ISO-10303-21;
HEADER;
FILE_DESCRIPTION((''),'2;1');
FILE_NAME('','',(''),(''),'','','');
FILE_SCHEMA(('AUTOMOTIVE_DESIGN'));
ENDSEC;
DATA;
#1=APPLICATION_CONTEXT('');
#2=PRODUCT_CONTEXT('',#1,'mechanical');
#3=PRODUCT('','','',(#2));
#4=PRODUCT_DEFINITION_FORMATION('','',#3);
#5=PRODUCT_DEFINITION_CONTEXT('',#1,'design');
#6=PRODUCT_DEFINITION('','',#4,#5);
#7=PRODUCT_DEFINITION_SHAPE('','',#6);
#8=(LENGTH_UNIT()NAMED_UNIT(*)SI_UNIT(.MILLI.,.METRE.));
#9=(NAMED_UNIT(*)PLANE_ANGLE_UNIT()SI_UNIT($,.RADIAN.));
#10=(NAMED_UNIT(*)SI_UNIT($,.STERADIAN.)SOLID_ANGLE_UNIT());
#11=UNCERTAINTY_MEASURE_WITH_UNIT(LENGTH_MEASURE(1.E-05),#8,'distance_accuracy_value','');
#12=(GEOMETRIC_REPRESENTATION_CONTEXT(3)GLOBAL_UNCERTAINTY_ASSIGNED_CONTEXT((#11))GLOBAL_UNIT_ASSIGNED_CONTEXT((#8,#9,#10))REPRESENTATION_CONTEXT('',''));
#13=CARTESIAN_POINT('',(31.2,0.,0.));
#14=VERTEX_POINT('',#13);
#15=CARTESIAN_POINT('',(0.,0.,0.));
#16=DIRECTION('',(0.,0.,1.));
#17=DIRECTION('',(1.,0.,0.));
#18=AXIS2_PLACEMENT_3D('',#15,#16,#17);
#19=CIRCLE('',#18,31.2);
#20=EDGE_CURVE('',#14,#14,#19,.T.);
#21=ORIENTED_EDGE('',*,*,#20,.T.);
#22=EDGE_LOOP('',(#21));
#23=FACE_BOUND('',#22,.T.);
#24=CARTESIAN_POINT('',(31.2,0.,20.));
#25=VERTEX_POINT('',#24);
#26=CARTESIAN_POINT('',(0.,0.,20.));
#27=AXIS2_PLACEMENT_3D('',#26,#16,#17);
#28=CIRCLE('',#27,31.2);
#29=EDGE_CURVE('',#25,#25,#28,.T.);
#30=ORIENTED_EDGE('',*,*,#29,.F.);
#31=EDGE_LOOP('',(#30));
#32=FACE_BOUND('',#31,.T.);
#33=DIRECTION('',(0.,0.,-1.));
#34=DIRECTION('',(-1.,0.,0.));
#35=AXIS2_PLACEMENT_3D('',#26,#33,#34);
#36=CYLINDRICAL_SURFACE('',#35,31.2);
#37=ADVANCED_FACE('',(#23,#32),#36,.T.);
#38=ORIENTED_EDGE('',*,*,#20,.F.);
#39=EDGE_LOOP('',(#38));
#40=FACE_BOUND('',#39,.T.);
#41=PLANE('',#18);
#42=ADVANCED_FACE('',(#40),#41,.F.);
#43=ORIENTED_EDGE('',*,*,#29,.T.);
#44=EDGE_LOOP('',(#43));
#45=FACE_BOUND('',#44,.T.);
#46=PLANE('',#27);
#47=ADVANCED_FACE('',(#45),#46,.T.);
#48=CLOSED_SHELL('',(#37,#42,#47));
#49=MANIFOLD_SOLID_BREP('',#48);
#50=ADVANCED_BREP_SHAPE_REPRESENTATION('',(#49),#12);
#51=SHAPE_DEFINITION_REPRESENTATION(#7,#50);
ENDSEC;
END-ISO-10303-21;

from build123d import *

# Parameters (mm, degrees)
CROQUIS1_R              = 31.2
SALIENTE_EXTRUIR1_DEPTH = 20


with BuildPart() as part:
    # Croquis1 → Saliente-Extruir1 (new body)
    with BuildSketch(Plane.XY):
        Circle(CROQUIS1_R)
    extrude(amount=SALIENTE_EXTRUIR1_DEPTH)


solid = part.part
